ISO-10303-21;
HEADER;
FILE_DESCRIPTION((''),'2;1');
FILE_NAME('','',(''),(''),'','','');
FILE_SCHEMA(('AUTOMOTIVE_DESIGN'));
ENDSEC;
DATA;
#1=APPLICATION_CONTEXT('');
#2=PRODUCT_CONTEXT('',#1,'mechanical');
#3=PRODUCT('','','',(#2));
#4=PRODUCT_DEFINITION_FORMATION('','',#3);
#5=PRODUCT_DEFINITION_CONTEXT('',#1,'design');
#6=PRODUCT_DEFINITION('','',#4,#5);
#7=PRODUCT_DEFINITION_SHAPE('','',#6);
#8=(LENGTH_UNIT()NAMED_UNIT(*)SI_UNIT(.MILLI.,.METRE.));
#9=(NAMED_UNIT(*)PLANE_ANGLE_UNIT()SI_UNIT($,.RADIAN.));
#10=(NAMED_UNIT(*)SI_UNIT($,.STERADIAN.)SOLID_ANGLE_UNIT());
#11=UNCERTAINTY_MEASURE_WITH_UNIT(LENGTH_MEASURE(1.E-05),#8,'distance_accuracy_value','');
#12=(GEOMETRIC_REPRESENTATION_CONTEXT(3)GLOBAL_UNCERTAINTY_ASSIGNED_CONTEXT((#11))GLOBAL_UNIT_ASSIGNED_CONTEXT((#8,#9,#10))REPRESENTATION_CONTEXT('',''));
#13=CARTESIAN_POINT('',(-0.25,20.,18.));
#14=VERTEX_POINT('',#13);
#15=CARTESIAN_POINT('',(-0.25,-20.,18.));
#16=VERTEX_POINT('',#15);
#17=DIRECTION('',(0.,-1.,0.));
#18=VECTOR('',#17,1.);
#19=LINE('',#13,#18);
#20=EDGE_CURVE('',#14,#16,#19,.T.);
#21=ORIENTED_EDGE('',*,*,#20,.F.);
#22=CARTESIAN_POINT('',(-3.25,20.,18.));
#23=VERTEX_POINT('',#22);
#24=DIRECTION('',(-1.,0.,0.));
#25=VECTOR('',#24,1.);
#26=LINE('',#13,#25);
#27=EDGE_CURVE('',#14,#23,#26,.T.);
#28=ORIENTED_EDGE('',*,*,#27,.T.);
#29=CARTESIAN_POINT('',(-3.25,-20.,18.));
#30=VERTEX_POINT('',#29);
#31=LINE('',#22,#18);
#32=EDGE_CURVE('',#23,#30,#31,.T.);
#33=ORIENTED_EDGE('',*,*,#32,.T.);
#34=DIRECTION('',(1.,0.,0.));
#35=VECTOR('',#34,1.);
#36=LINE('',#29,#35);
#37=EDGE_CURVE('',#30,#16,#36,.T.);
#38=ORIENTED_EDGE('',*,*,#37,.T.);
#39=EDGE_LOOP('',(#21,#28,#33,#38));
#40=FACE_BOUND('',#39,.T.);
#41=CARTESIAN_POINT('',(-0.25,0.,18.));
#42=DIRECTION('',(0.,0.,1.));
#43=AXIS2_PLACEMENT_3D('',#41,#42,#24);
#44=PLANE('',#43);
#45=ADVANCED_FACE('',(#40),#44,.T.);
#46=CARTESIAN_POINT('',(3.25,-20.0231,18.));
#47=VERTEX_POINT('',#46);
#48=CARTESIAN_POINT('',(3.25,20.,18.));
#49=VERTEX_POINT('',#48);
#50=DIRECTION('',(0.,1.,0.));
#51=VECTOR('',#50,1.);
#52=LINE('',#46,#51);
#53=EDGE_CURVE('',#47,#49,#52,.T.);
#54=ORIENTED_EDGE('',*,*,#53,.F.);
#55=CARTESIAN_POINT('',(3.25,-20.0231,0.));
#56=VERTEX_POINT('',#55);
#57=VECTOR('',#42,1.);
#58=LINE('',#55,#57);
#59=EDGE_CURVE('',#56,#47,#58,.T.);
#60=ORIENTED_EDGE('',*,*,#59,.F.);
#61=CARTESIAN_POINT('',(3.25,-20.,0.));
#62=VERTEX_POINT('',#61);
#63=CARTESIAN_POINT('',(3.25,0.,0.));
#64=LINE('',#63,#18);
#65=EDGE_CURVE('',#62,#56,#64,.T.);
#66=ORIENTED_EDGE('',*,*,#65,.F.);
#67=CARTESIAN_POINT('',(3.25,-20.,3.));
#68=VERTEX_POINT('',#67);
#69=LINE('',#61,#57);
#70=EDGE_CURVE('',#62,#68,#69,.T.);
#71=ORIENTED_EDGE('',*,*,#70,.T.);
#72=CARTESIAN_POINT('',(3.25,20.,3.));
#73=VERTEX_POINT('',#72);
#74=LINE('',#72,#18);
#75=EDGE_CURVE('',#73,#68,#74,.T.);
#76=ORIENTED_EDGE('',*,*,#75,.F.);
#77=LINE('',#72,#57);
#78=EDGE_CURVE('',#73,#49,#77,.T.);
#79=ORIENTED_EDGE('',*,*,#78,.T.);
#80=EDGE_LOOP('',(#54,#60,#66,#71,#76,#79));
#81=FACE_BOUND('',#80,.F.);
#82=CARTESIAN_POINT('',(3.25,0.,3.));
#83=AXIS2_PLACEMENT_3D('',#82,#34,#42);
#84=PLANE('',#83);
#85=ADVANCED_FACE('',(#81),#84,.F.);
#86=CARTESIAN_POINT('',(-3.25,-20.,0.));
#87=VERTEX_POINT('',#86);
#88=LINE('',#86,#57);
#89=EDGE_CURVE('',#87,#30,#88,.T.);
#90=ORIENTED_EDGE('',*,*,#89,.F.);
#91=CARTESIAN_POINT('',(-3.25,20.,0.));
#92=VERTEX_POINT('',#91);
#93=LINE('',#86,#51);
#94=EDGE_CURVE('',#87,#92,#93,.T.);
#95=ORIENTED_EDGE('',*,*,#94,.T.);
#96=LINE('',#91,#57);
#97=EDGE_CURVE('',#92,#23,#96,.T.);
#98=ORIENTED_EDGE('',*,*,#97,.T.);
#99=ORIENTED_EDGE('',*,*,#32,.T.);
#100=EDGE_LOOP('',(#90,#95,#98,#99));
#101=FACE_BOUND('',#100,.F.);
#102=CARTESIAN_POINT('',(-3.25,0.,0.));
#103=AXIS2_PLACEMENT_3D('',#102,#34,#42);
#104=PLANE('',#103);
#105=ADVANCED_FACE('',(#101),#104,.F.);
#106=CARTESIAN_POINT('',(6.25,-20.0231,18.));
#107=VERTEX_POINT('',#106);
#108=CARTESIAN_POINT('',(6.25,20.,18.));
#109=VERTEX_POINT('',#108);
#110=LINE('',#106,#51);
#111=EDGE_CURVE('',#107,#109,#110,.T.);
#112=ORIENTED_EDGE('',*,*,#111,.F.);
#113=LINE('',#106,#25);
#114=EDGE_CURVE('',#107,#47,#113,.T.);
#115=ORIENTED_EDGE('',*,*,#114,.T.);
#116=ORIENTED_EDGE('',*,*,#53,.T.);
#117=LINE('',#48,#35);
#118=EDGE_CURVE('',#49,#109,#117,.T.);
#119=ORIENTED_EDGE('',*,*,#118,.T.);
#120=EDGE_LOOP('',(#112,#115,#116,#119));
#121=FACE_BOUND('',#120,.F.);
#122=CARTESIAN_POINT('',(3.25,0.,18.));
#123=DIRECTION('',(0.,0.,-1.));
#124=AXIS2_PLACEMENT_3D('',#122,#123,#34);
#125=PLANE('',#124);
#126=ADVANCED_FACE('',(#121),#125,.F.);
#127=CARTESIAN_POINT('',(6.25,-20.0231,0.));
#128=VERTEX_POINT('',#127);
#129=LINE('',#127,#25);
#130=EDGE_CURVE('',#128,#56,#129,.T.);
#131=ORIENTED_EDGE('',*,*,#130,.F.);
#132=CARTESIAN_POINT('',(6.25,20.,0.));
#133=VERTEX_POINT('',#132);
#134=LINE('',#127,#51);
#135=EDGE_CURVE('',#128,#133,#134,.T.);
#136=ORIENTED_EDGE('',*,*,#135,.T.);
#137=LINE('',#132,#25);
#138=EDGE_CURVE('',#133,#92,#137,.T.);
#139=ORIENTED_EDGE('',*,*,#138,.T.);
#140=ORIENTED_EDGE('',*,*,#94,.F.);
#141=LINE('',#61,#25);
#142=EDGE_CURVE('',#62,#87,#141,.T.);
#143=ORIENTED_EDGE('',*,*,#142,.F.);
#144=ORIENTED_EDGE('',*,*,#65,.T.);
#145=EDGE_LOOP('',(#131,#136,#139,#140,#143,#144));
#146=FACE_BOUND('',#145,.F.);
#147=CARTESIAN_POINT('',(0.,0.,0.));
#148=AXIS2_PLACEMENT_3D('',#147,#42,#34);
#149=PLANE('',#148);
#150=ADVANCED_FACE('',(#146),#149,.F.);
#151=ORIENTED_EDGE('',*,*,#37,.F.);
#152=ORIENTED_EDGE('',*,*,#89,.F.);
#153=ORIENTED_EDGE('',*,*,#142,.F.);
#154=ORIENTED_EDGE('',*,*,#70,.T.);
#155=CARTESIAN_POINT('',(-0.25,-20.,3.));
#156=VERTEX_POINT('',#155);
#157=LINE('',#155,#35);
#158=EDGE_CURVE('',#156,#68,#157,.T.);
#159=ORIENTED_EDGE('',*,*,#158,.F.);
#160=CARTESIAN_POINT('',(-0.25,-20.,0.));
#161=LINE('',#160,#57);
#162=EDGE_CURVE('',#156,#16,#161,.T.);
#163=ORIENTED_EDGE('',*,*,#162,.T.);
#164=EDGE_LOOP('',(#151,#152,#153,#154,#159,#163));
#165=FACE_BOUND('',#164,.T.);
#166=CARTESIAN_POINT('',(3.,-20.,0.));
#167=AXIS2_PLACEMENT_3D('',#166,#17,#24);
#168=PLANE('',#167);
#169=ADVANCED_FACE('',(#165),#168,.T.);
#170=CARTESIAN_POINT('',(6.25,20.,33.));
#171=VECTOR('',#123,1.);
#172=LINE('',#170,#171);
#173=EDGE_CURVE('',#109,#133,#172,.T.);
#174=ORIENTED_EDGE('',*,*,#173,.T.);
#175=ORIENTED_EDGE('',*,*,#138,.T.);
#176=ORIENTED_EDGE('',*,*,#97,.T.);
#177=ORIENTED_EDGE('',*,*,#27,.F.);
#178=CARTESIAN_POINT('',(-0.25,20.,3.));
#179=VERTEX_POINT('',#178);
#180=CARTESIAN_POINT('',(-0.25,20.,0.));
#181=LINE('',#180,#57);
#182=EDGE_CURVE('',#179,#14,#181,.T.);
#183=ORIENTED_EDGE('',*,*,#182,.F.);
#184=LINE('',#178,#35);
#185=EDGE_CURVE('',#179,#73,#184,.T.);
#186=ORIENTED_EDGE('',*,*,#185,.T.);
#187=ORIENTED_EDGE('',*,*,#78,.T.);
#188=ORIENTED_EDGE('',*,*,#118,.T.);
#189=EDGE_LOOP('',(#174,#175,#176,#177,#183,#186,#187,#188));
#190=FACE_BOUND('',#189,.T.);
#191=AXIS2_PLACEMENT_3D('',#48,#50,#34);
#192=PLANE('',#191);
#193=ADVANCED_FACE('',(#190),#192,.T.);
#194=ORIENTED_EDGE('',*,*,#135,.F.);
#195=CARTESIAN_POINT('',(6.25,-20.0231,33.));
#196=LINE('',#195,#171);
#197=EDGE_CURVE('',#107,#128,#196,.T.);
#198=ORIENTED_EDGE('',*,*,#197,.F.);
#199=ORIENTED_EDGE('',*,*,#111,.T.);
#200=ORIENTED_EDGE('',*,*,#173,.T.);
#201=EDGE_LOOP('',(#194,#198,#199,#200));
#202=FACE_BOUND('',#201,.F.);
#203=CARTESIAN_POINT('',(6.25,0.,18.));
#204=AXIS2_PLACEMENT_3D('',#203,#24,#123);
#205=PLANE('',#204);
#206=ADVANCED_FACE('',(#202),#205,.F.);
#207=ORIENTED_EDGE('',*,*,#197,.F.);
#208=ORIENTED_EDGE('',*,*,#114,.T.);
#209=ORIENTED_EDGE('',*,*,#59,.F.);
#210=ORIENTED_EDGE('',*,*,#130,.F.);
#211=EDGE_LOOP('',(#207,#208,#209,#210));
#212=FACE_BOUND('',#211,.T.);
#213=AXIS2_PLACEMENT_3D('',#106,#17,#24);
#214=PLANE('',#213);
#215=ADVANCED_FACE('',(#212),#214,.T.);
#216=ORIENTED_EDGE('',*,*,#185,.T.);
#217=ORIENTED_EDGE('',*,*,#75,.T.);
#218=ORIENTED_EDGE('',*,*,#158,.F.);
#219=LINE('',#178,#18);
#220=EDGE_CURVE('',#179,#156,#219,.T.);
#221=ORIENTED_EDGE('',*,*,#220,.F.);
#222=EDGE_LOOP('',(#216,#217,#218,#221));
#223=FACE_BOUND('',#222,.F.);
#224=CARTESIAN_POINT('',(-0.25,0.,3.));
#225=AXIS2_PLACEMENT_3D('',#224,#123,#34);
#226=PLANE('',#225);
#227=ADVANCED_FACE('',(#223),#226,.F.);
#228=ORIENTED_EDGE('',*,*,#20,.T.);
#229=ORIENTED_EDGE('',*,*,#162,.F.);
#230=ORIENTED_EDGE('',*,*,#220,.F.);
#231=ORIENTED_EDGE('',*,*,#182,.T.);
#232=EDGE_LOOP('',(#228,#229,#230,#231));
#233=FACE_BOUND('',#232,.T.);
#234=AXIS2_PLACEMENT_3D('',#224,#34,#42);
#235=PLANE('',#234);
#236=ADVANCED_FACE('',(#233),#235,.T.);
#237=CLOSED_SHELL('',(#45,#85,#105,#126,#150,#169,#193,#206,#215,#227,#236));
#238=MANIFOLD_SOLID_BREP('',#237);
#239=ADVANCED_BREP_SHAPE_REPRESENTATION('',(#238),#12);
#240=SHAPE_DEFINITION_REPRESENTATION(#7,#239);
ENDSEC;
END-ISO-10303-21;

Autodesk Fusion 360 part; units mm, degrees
sketch "Sketch1" plane through (0, 0, 0) normal (0, 0, 1) x (1, 0, 0)
  line L0 (0, 0) -> (3, 0)
  line L1 (3, 0) -> (3, -20)
  line L2 (3, -20) -> (0, -20)
  line L3 (0, -20) -> (0, 0)
  line L4 (3, 0) -> (3.25, 0)
  line L5 (3.25, 0) -> (3.25, -20)
  line L6 (3.25, -20) -> (3, -20)
  line L7 (3, -20) -> (3, 0)
  line L8 (0, 0) -> (-0.25, 0)
  line L9 (-0.25, 0) -> (-0.25, -20)
  line L10 (-0.25, -20) -> (0, -20)
  line L11 (0, -20) -> (0, 0)
  line L12 (3.25, 0) -> (6.25, 0)
  line L13 (6.25, 0) -> (6.25, -20.0231)
  line L14 (6.25, -20.0231) -> (3.25, -20.0231)
  line L15 (3.25, -20.0231) -> (3.25, 0)
  line L16 (-0.25, 0) -> (-3.25, 0)
  line L17 (-3.25, 0) -> (-3.25, -20)
  line L18 (-3.25, -20) -> (-0.25, -20)
  line L19 (-0.25, -20) -> (-0.25, 0)
  dimension "d1" = 3
  dimension "d2" = 20
  dimension "d3" = 0.25
  dimension "d4" = 0.25
  dimension "d5" = 3
  dimension "d6" = 3
  dimension "d7" = 20
extrude "Extrude1" add sketch "Sketch1" along normal blind 3 contours L0 L1 L2 L3 L7 L11 | L3 L8 L9 L10 L11 L19 | L1 L4 L5 L6 L7 L15
extrude "Extrude2" add sketch "Sketch1" along normal blind 18 contours L9 L16 L17 L18 L19 | L5 L12 L13 L14 L15
extrude "Extrude3" add 1 faces at (5.25, -6.6744, 18) along direction (0, 0, 1) blind 15
extrude "Extrude4" cut 1 faces at (5.25, -6.6744, 33) along direction (0, 0, -1) blind 15
extrude "Extrude5" add 1 faces at (-2.25, 0, 7) along direction (0, 1, 0) blind 20
